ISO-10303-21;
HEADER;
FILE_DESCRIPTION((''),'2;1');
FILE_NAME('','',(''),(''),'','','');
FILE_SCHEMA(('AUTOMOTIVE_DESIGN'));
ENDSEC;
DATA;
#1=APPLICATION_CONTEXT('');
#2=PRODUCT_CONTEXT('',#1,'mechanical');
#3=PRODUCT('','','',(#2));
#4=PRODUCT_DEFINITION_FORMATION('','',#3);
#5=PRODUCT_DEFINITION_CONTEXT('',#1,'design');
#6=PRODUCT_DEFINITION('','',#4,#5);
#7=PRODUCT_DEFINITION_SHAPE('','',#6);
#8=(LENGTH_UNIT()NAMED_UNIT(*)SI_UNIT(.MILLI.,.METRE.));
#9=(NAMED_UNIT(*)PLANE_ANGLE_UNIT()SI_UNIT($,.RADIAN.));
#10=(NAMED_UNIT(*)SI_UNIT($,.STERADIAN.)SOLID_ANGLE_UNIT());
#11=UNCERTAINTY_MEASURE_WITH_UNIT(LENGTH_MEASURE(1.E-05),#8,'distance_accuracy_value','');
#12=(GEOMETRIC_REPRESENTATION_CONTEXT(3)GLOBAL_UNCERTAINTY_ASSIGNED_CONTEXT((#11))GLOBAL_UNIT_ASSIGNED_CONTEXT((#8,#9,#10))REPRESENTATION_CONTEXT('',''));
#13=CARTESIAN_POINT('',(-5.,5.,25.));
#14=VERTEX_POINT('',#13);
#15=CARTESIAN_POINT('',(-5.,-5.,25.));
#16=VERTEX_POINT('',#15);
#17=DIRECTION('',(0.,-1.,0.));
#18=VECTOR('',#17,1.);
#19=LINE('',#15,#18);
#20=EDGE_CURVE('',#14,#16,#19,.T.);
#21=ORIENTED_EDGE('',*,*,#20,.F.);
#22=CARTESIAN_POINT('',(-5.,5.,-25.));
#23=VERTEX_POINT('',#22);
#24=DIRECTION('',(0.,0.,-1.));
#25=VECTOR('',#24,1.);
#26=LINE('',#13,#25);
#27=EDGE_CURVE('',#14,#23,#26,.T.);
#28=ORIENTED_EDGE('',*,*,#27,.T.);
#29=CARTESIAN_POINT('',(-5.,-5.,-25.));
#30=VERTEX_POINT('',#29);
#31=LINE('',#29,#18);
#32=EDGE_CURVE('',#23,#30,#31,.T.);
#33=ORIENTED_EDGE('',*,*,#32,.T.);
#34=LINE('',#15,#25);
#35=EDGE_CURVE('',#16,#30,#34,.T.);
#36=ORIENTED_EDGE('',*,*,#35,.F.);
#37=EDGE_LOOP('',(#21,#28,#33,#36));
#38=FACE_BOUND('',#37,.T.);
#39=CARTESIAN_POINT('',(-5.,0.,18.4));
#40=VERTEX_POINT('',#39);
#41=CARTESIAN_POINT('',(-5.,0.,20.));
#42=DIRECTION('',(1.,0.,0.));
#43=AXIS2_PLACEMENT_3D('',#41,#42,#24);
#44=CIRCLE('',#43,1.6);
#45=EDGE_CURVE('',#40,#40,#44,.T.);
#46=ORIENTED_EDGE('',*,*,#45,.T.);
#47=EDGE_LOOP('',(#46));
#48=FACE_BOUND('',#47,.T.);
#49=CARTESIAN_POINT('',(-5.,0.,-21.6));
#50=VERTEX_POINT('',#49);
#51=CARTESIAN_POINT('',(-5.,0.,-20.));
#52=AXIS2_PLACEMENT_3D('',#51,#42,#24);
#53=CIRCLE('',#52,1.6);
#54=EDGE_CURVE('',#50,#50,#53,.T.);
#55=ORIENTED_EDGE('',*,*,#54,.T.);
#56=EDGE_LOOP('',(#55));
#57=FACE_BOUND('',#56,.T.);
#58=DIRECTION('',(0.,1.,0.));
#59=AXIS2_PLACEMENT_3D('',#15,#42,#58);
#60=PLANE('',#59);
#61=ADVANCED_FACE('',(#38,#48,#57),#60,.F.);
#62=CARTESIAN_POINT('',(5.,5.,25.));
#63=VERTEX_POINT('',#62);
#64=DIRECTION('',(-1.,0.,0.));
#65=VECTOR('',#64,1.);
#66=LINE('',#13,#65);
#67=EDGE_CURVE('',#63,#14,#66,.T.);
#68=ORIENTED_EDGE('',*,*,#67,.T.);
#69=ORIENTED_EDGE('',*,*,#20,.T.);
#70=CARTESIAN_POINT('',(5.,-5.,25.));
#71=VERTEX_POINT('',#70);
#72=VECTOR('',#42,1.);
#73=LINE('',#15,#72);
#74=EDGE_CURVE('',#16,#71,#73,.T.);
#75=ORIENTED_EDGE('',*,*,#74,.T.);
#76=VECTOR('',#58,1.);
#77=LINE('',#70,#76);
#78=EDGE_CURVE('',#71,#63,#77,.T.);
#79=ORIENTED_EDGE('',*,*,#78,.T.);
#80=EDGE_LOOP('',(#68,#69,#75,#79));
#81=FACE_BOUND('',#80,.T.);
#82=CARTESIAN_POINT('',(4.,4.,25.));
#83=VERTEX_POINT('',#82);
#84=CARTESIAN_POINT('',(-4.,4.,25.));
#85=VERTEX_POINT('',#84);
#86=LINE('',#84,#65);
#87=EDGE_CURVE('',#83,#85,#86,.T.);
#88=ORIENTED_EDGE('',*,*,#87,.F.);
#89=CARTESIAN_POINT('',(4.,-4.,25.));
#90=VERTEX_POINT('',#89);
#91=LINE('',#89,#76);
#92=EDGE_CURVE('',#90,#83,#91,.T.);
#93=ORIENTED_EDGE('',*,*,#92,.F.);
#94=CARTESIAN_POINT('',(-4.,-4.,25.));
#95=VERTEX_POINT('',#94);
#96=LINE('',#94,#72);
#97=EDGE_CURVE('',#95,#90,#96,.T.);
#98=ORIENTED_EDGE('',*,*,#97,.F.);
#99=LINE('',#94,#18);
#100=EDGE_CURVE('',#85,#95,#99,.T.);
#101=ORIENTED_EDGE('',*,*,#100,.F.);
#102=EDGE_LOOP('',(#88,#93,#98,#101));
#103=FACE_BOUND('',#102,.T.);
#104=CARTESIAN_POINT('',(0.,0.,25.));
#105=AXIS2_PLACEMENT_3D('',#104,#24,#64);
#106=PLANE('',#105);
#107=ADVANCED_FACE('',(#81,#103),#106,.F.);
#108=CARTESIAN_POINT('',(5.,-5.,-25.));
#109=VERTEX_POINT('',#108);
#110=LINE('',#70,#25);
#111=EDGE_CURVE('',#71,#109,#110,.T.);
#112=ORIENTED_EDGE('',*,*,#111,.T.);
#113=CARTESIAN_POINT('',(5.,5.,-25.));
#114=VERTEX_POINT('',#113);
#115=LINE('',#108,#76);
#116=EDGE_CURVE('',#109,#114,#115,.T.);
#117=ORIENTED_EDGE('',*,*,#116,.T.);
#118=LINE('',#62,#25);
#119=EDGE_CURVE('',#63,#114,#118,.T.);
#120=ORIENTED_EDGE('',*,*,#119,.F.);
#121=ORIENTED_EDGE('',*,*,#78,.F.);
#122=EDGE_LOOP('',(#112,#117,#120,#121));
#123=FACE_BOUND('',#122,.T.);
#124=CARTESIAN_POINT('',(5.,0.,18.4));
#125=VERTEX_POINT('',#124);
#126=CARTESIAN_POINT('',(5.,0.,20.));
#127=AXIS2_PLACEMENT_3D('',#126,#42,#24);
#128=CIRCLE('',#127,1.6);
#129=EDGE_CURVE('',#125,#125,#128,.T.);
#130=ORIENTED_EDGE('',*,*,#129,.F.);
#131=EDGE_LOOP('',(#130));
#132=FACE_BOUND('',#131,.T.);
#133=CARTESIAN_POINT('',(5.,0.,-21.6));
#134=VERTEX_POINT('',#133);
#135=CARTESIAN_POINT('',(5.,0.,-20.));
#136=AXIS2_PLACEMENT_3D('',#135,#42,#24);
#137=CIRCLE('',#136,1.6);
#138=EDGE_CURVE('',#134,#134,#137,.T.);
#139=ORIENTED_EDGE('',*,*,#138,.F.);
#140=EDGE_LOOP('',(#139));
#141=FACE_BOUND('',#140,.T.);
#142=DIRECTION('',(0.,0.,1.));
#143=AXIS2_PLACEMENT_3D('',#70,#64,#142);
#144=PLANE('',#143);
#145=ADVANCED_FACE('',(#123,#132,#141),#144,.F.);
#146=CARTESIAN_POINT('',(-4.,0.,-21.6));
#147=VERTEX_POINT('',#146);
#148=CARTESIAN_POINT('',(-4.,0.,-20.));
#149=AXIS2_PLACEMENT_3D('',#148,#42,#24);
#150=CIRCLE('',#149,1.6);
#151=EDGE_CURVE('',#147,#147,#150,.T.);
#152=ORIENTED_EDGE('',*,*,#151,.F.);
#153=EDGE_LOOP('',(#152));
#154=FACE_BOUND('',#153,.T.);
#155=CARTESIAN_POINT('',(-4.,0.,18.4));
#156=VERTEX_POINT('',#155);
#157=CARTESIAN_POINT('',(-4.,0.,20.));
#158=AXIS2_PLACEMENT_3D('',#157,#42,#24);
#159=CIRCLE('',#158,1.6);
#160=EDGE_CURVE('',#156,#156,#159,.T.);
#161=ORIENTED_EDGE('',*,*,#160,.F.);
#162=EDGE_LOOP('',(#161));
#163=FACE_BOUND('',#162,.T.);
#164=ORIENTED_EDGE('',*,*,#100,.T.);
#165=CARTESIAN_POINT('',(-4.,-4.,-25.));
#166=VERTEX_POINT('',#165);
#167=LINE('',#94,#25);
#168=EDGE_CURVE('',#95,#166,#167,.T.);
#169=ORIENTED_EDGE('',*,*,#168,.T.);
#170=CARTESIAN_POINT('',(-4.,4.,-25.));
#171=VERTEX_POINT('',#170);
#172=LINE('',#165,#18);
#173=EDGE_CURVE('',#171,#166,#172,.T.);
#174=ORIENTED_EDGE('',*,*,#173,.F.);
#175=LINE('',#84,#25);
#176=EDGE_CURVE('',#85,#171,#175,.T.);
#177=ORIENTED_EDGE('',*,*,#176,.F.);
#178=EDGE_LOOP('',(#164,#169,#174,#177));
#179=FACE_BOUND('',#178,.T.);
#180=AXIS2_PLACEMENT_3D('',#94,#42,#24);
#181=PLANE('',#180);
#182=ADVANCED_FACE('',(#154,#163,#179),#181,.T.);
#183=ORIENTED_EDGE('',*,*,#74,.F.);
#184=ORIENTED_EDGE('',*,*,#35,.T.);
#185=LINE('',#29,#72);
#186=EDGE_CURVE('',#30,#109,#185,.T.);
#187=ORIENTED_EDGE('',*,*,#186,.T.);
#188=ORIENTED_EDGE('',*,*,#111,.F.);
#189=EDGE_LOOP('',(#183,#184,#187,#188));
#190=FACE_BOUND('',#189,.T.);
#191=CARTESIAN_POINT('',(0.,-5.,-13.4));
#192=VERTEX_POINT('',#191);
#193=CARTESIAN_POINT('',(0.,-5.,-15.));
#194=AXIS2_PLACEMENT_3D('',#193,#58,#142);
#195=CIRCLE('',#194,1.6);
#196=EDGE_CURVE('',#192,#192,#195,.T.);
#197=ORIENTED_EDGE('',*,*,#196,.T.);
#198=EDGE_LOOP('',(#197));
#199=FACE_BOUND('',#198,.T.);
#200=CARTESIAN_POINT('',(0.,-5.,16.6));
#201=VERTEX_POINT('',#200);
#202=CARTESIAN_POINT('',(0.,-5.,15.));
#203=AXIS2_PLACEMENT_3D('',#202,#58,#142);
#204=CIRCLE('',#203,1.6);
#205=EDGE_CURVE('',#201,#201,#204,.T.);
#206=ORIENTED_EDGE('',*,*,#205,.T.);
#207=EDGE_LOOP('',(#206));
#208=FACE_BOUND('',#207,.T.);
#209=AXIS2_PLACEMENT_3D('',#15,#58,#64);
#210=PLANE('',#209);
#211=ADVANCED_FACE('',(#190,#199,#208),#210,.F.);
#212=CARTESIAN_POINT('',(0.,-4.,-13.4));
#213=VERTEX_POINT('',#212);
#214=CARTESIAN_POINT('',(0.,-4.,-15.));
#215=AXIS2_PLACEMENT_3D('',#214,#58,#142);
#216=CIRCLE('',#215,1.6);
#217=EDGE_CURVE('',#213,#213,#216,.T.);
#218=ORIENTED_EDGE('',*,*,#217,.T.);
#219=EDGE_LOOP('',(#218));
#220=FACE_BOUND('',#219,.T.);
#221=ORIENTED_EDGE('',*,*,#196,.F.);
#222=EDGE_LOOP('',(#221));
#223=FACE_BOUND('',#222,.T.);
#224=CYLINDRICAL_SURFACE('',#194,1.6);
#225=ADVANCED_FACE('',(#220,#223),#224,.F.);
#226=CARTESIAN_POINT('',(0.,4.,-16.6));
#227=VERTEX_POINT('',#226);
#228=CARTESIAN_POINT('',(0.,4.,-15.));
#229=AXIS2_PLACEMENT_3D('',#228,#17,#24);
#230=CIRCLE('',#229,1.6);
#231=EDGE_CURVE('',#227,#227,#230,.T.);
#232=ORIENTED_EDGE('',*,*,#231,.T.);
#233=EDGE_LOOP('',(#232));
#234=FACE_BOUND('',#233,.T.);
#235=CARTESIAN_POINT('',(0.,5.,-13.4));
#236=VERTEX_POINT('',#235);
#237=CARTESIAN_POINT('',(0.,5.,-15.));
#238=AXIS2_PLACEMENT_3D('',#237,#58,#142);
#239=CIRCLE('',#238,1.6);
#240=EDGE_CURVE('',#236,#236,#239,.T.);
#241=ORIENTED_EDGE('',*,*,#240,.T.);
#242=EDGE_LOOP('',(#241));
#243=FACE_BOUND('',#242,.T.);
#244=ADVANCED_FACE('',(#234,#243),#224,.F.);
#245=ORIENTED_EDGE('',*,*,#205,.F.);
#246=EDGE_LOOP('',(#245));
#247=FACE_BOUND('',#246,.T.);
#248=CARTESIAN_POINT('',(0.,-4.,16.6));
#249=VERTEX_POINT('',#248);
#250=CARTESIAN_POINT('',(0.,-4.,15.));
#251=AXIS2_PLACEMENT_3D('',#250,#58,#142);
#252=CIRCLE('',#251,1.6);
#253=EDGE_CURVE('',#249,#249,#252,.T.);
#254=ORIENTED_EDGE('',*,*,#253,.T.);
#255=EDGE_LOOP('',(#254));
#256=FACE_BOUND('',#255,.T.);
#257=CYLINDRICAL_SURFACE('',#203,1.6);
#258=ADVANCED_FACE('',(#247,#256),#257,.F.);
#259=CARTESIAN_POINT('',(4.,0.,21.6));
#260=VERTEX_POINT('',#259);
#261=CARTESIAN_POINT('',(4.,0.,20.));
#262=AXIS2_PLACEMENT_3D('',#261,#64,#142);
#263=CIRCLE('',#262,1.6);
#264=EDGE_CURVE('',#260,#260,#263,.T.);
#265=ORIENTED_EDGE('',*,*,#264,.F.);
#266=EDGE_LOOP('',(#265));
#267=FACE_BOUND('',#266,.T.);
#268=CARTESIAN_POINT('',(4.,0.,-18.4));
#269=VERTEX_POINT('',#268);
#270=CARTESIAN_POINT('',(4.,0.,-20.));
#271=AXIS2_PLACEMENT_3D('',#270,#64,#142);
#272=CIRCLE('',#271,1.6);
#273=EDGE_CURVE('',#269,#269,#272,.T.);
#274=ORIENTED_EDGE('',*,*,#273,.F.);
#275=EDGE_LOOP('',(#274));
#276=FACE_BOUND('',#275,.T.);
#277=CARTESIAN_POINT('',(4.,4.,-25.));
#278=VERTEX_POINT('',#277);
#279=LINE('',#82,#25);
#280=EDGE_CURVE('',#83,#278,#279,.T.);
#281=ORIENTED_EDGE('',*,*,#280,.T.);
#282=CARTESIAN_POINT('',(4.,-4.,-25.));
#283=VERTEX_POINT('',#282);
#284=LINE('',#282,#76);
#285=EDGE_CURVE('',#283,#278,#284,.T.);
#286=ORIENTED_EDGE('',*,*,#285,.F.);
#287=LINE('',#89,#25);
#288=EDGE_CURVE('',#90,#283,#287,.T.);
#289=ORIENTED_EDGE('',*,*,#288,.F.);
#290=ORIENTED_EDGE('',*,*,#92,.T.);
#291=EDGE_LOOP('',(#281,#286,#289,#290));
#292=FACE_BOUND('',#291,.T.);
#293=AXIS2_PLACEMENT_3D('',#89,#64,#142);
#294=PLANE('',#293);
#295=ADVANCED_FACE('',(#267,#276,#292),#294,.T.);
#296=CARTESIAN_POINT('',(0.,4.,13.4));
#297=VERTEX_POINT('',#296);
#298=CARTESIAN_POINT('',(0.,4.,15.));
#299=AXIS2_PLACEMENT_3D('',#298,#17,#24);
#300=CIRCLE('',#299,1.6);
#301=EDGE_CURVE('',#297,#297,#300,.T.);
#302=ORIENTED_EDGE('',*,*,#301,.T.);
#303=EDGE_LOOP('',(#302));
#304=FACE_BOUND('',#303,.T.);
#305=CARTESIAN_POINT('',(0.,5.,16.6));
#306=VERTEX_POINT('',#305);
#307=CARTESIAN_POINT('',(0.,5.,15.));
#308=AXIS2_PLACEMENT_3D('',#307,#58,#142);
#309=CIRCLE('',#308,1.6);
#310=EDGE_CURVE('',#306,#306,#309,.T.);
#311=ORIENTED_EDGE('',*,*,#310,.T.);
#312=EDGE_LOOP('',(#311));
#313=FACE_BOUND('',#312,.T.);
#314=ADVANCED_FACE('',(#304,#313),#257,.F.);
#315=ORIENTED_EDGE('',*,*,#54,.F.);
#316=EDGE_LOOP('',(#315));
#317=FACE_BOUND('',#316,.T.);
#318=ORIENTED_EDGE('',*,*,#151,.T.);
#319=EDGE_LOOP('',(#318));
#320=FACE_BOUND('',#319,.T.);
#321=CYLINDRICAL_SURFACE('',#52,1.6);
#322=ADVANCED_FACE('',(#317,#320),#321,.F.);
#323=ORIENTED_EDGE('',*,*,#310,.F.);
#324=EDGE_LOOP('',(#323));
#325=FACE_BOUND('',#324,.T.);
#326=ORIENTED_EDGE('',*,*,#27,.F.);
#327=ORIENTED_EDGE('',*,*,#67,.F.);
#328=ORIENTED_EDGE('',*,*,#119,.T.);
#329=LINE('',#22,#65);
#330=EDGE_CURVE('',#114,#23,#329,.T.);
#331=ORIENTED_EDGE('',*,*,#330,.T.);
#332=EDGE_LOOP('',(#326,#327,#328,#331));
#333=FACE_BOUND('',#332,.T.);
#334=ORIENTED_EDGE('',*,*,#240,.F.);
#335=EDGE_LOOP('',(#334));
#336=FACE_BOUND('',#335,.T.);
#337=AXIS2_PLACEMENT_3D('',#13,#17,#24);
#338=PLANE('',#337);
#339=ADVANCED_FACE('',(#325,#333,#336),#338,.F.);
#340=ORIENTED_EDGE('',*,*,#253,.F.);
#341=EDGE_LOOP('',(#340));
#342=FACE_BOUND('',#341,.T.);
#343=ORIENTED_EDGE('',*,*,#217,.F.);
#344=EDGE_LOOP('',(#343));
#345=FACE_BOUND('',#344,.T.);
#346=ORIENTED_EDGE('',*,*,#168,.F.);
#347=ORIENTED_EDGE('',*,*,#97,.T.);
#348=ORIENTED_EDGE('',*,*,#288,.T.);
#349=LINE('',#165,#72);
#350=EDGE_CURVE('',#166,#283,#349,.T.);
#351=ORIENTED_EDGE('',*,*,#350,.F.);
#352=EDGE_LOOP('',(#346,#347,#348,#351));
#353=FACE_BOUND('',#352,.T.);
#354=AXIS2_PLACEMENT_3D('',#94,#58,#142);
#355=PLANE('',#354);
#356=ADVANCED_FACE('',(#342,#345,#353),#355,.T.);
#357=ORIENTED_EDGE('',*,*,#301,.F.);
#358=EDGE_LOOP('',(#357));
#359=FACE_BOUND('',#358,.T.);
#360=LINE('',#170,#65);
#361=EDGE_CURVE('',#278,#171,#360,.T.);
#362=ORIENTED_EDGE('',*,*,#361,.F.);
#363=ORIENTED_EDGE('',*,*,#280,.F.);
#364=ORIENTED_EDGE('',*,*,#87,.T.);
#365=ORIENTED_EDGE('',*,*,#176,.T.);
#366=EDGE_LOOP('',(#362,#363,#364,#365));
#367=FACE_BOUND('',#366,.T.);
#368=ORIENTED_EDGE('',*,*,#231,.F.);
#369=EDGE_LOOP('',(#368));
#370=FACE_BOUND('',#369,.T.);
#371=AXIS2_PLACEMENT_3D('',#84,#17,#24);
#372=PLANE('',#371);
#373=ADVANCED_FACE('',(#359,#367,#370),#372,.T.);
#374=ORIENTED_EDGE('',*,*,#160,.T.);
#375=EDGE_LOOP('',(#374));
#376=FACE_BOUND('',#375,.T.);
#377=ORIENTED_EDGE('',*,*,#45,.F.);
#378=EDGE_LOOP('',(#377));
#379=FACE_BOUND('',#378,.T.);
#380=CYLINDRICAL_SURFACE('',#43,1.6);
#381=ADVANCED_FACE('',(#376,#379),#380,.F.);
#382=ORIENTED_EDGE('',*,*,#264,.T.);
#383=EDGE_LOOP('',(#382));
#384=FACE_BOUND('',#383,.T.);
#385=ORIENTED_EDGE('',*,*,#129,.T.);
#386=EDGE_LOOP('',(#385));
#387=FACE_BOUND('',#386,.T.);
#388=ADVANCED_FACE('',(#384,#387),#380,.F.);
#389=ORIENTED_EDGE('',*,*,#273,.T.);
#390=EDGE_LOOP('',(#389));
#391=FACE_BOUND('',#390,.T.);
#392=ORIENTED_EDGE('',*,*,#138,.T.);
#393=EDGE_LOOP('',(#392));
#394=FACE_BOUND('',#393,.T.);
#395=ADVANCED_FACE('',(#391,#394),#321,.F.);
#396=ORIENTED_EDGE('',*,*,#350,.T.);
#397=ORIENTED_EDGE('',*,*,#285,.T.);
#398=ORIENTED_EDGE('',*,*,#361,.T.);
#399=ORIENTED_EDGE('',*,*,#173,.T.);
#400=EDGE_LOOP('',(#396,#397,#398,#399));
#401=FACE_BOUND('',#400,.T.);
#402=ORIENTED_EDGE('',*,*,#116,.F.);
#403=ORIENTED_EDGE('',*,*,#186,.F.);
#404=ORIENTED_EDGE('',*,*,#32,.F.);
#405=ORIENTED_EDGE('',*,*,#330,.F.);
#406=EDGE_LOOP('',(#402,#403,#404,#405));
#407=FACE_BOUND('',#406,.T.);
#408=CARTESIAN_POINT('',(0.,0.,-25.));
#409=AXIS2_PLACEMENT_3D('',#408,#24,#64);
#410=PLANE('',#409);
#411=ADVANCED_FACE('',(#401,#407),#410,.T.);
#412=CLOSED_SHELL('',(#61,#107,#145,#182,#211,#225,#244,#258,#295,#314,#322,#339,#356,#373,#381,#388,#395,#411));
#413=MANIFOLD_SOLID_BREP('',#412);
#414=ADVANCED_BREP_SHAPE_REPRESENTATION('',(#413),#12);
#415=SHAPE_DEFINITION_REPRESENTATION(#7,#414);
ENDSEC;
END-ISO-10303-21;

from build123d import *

# Parameters (mm, degrees)
SKETCH_1_W          = 10
SKETCH_1_H          = 10
SKETCH_1_W_2        = 8
SKETCH_1_H_2        = 8
EXTRUDE_1_DEPTH     = 25
SKETCH_3_R          = 1.6
CUT_EXTRUDE_1_DEPTH = 11
SKETCH_4_R          = 1.6
CUT_EXTRUDE_2_DEPTH = 11


with BuildPart() as part:
    # ｽｹｯﾁ1 → ﾎﾞｽ - 押し出し1 (new body, symmetric)
    with BuildSketch(Plane.XY):
        Rectangle(SKETCH_1_W, SKETCH_1_H)
        Rectangle(SKETCH_1_W_2, SKETCH_1_H_2, mode=Mode.SUBTRACT)
    extrude(amount=EXTRUDE_1_DEPTH, both=True)

    # ｽｹｯﾁ3 → ｶｯﾄ - 押し出し1 (cut, through all)
    with BuildSketch(Plane(origin=(5, 0, 0), x_dir=(0, 0, -1), z_dir=(1, 0, 0))):
        with Locations((-20, 0)):
            Circle(SKETCH_3_R)
        with Locations((20, 0)):
            Circle(SKETCH_3_R)
    extrude(amount=-CUT_EXTRUDE_1_DEPTH, mode=Mode.SUBTRACT)

    # ｽｹｯﾁ4 → ｶｯﾄ - 押し出し2 (cut, through all)
    with BuildSketch(Plane(origin=(0, 5, 0), x_dir=(1, 0, 0), z_dir=(0, 1, 0))):
        with Locations((0, -15)):
            Circle(SKETCH_4_R)
        with Locations((0, 15)):
            Circle(SKETCH_4_R)
    extrude(amount=-CUT_EXTRUDE_2_DEPTH, mode=Mode.SUBTRACT)


solid = part.part
